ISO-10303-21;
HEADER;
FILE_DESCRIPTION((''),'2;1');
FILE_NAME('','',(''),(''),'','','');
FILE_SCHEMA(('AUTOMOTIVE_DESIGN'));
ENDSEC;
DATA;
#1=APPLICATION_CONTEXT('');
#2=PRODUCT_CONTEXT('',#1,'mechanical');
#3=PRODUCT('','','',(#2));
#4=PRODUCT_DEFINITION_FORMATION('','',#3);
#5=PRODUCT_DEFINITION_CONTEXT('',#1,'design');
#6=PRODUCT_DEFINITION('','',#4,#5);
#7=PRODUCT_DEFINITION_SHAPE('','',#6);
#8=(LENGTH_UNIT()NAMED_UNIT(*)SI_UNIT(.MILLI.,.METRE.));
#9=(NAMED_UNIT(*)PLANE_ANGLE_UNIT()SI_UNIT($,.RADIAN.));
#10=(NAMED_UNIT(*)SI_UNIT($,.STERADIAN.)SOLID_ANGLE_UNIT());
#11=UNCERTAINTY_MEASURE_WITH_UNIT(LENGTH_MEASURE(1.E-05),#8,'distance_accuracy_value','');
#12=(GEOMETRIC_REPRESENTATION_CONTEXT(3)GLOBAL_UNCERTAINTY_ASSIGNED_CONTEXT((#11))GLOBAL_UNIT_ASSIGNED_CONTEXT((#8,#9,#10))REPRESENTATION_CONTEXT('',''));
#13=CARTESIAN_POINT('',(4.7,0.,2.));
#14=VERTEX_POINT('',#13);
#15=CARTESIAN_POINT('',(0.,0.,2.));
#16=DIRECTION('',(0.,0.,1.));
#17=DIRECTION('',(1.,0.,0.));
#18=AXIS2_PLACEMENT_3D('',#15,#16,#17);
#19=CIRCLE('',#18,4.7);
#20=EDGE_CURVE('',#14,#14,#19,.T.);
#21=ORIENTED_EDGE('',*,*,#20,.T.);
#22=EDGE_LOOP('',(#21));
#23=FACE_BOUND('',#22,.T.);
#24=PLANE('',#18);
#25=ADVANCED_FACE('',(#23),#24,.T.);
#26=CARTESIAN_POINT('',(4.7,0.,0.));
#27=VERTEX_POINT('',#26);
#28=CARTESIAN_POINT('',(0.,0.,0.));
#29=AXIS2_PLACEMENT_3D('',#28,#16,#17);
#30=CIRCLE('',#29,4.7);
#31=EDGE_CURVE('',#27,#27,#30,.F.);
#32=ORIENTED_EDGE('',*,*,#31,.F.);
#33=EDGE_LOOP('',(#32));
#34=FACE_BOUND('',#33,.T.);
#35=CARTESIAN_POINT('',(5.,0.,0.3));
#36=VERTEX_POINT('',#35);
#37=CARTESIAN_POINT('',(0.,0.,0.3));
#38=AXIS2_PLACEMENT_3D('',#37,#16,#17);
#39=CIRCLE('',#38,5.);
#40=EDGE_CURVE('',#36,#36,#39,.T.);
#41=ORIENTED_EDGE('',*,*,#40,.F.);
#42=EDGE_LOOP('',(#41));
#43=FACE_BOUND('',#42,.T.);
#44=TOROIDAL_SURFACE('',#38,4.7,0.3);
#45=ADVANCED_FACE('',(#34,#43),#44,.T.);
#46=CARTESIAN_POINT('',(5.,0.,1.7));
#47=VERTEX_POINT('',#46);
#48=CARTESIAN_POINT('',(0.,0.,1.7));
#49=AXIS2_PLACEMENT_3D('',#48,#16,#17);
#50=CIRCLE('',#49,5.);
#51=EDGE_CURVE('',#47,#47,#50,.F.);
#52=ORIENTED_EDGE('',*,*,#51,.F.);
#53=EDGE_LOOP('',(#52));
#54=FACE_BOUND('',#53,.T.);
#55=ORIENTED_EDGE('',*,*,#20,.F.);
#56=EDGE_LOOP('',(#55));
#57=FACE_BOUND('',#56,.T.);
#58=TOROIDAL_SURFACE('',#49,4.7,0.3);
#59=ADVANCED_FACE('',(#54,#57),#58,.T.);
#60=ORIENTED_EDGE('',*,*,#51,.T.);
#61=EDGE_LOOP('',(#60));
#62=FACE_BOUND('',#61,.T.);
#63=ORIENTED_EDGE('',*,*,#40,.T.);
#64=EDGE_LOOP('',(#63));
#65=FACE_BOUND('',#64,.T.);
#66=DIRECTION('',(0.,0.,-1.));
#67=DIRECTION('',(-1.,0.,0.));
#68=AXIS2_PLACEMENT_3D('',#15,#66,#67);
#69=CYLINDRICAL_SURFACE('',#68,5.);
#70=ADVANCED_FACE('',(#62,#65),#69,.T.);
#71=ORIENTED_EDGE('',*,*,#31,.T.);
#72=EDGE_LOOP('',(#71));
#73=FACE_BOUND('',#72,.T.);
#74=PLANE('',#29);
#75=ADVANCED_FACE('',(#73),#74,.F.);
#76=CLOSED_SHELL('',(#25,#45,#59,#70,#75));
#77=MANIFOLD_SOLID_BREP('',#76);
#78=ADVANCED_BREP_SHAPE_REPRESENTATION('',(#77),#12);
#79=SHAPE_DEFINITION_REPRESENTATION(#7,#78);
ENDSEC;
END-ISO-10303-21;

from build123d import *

# Parameters (mm, degrees)
ESQUISSE1_R        = 5
BOSS_EXTRU_1_DEPTH = 2
CONG_1_R           = 0.3


with BuildPart() as part:
    # Esquisse1 → Boss.-Extru.1 (new body)
    with BuildSketch(Plane.XY):
        Circle(ESQUISSE1_R)
    extrude(amount=BOSS_EXTRU_1_DEPTH)

    # Congé1
    cong_1_edges = [part.edges().sort_by_distance(p)[0] for p in [
        (-5, 0, 0),
        (-5, 0, 2),
    ]]
    fillet(cong_1_edges, radius=CONG_1_R)


solid = part.part
